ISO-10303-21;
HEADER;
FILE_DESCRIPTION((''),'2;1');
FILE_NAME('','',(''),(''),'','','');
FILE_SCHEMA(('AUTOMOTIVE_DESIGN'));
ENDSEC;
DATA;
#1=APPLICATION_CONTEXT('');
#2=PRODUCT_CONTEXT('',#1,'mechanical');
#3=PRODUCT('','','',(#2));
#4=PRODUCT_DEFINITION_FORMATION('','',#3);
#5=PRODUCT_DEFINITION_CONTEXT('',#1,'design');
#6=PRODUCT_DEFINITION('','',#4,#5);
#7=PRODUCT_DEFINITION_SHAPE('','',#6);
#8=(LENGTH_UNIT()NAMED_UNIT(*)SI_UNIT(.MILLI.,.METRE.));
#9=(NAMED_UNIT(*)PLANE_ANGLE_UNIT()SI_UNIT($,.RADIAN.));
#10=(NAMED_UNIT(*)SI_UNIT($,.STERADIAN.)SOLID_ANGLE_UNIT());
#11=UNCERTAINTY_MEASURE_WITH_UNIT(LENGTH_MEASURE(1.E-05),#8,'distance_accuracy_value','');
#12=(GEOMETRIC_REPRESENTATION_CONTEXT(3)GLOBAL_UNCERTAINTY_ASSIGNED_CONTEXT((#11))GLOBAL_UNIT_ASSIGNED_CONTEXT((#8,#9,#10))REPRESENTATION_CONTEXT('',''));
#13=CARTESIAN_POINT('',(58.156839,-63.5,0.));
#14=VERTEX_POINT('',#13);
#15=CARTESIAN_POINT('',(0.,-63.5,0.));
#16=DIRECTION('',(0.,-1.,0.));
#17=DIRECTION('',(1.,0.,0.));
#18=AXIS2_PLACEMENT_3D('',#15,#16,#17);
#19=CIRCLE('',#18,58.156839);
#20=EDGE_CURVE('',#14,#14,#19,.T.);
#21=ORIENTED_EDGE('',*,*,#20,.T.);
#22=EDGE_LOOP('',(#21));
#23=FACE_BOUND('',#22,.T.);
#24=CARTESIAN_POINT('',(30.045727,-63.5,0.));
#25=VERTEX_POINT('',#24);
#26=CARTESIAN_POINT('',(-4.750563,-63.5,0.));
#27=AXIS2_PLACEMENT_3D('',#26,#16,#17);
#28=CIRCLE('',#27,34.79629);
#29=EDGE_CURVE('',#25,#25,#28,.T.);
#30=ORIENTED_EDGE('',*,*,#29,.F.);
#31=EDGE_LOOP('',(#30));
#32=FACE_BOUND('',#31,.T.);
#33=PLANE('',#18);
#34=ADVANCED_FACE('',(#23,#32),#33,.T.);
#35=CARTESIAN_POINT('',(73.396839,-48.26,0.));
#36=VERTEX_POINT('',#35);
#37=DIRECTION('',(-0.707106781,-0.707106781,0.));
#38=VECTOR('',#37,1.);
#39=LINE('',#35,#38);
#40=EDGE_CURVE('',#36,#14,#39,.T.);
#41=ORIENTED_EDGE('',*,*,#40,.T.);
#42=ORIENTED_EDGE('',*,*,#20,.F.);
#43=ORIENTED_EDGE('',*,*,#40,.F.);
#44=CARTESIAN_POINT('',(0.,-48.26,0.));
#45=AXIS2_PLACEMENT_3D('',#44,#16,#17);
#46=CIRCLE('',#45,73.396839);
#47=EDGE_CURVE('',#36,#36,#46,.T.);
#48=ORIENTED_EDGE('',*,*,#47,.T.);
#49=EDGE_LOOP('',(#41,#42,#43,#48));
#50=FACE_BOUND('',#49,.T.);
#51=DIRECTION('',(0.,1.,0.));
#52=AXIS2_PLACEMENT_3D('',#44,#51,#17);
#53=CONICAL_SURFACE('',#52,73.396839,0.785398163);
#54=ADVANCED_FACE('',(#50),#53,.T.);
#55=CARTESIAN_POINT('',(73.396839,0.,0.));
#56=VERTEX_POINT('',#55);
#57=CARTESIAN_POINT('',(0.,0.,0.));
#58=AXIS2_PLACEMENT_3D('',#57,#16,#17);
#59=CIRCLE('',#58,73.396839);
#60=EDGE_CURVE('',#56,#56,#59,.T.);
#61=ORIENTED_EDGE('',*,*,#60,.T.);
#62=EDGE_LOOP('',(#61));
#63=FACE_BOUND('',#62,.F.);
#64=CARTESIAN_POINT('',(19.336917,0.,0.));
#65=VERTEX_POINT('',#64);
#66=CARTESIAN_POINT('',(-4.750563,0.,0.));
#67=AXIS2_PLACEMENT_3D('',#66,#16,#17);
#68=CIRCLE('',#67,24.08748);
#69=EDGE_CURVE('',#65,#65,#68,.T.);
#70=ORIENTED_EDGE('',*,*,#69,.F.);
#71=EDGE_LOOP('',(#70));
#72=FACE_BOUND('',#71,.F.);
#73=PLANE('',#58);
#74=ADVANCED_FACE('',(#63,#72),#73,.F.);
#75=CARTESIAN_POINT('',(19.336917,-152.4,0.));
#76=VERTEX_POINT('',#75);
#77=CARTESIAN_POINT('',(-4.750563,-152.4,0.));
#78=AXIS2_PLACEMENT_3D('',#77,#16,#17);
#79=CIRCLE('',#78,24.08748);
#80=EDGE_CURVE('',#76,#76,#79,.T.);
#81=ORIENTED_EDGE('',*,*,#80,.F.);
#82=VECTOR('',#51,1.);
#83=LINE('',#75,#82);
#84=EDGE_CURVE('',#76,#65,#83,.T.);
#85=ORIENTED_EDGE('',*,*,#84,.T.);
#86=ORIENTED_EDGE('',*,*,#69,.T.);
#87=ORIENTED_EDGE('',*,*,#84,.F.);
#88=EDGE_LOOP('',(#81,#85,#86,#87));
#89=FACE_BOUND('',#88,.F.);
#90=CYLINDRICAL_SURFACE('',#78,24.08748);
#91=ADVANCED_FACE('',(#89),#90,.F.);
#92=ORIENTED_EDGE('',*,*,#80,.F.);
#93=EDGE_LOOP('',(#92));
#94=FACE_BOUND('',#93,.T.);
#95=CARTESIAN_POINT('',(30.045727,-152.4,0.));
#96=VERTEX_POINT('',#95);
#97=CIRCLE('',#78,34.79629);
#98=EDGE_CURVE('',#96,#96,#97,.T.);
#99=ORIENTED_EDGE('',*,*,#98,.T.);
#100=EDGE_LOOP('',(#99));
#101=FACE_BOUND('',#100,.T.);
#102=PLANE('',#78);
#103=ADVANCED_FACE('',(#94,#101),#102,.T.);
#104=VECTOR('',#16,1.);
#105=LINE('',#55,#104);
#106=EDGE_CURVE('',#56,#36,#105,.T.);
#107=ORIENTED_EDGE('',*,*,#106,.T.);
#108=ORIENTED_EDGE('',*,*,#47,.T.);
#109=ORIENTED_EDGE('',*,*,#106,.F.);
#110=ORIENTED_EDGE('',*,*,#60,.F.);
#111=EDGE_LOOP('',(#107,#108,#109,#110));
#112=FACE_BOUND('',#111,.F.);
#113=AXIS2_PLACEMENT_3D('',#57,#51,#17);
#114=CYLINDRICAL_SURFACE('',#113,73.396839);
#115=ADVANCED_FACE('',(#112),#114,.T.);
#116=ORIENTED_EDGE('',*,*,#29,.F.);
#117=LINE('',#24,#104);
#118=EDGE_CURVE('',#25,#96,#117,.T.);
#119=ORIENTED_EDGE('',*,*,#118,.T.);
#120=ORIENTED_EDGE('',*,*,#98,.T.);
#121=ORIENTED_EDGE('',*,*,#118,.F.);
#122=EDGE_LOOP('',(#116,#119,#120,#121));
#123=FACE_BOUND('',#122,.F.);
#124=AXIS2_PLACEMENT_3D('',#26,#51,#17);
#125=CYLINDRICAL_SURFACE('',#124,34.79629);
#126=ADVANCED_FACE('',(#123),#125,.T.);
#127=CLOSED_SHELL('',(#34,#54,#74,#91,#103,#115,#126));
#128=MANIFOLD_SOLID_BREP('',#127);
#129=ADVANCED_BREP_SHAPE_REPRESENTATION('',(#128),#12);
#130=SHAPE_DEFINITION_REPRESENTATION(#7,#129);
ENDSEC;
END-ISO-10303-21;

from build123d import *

# Parameters (mm, degrees)
F0_R     = 73.396839
F1_DEPTH = 63.5
F2_SIZE  = 15.24
F3_R     = 34.79629
F4_DEPTH = 88.9
F5_R     = 24.08748
F6_DEPTH = 263.398


with BuildPart() as f1:
    # F0 (on Front) → F1 (new body)
    with BuildSketch(Plane.XZ):
        Circle(F0_R)
    extrude(amount=F1_DEPTH)

    # F2
    f2_edges = [f1.edges().sort_by_distance(p)[0] for p in [
        (-73.396839, -63.5, 0),
    ]]
    chamfer(f2_edges, length=F2_SIZE)

    # F3 (on face) → F4 (join)
    with BuildSketch(Plane.XZ.offset(63.5)):
        with Locations((-4.750563, 0)):
            Circle(F3_R)
    extrude(amount=F4_DEPTH)

    # F5 (on face) → F6 (cut)
    with BuildSketch(Plane.XZ.offset(152.4)):
        with Locations((-4.750563, 0)):
            Circle(F5_R)
    extrude(amount=-F6_DEPTH, mode=Mode.SUBTRACT)


solid = f1.part
